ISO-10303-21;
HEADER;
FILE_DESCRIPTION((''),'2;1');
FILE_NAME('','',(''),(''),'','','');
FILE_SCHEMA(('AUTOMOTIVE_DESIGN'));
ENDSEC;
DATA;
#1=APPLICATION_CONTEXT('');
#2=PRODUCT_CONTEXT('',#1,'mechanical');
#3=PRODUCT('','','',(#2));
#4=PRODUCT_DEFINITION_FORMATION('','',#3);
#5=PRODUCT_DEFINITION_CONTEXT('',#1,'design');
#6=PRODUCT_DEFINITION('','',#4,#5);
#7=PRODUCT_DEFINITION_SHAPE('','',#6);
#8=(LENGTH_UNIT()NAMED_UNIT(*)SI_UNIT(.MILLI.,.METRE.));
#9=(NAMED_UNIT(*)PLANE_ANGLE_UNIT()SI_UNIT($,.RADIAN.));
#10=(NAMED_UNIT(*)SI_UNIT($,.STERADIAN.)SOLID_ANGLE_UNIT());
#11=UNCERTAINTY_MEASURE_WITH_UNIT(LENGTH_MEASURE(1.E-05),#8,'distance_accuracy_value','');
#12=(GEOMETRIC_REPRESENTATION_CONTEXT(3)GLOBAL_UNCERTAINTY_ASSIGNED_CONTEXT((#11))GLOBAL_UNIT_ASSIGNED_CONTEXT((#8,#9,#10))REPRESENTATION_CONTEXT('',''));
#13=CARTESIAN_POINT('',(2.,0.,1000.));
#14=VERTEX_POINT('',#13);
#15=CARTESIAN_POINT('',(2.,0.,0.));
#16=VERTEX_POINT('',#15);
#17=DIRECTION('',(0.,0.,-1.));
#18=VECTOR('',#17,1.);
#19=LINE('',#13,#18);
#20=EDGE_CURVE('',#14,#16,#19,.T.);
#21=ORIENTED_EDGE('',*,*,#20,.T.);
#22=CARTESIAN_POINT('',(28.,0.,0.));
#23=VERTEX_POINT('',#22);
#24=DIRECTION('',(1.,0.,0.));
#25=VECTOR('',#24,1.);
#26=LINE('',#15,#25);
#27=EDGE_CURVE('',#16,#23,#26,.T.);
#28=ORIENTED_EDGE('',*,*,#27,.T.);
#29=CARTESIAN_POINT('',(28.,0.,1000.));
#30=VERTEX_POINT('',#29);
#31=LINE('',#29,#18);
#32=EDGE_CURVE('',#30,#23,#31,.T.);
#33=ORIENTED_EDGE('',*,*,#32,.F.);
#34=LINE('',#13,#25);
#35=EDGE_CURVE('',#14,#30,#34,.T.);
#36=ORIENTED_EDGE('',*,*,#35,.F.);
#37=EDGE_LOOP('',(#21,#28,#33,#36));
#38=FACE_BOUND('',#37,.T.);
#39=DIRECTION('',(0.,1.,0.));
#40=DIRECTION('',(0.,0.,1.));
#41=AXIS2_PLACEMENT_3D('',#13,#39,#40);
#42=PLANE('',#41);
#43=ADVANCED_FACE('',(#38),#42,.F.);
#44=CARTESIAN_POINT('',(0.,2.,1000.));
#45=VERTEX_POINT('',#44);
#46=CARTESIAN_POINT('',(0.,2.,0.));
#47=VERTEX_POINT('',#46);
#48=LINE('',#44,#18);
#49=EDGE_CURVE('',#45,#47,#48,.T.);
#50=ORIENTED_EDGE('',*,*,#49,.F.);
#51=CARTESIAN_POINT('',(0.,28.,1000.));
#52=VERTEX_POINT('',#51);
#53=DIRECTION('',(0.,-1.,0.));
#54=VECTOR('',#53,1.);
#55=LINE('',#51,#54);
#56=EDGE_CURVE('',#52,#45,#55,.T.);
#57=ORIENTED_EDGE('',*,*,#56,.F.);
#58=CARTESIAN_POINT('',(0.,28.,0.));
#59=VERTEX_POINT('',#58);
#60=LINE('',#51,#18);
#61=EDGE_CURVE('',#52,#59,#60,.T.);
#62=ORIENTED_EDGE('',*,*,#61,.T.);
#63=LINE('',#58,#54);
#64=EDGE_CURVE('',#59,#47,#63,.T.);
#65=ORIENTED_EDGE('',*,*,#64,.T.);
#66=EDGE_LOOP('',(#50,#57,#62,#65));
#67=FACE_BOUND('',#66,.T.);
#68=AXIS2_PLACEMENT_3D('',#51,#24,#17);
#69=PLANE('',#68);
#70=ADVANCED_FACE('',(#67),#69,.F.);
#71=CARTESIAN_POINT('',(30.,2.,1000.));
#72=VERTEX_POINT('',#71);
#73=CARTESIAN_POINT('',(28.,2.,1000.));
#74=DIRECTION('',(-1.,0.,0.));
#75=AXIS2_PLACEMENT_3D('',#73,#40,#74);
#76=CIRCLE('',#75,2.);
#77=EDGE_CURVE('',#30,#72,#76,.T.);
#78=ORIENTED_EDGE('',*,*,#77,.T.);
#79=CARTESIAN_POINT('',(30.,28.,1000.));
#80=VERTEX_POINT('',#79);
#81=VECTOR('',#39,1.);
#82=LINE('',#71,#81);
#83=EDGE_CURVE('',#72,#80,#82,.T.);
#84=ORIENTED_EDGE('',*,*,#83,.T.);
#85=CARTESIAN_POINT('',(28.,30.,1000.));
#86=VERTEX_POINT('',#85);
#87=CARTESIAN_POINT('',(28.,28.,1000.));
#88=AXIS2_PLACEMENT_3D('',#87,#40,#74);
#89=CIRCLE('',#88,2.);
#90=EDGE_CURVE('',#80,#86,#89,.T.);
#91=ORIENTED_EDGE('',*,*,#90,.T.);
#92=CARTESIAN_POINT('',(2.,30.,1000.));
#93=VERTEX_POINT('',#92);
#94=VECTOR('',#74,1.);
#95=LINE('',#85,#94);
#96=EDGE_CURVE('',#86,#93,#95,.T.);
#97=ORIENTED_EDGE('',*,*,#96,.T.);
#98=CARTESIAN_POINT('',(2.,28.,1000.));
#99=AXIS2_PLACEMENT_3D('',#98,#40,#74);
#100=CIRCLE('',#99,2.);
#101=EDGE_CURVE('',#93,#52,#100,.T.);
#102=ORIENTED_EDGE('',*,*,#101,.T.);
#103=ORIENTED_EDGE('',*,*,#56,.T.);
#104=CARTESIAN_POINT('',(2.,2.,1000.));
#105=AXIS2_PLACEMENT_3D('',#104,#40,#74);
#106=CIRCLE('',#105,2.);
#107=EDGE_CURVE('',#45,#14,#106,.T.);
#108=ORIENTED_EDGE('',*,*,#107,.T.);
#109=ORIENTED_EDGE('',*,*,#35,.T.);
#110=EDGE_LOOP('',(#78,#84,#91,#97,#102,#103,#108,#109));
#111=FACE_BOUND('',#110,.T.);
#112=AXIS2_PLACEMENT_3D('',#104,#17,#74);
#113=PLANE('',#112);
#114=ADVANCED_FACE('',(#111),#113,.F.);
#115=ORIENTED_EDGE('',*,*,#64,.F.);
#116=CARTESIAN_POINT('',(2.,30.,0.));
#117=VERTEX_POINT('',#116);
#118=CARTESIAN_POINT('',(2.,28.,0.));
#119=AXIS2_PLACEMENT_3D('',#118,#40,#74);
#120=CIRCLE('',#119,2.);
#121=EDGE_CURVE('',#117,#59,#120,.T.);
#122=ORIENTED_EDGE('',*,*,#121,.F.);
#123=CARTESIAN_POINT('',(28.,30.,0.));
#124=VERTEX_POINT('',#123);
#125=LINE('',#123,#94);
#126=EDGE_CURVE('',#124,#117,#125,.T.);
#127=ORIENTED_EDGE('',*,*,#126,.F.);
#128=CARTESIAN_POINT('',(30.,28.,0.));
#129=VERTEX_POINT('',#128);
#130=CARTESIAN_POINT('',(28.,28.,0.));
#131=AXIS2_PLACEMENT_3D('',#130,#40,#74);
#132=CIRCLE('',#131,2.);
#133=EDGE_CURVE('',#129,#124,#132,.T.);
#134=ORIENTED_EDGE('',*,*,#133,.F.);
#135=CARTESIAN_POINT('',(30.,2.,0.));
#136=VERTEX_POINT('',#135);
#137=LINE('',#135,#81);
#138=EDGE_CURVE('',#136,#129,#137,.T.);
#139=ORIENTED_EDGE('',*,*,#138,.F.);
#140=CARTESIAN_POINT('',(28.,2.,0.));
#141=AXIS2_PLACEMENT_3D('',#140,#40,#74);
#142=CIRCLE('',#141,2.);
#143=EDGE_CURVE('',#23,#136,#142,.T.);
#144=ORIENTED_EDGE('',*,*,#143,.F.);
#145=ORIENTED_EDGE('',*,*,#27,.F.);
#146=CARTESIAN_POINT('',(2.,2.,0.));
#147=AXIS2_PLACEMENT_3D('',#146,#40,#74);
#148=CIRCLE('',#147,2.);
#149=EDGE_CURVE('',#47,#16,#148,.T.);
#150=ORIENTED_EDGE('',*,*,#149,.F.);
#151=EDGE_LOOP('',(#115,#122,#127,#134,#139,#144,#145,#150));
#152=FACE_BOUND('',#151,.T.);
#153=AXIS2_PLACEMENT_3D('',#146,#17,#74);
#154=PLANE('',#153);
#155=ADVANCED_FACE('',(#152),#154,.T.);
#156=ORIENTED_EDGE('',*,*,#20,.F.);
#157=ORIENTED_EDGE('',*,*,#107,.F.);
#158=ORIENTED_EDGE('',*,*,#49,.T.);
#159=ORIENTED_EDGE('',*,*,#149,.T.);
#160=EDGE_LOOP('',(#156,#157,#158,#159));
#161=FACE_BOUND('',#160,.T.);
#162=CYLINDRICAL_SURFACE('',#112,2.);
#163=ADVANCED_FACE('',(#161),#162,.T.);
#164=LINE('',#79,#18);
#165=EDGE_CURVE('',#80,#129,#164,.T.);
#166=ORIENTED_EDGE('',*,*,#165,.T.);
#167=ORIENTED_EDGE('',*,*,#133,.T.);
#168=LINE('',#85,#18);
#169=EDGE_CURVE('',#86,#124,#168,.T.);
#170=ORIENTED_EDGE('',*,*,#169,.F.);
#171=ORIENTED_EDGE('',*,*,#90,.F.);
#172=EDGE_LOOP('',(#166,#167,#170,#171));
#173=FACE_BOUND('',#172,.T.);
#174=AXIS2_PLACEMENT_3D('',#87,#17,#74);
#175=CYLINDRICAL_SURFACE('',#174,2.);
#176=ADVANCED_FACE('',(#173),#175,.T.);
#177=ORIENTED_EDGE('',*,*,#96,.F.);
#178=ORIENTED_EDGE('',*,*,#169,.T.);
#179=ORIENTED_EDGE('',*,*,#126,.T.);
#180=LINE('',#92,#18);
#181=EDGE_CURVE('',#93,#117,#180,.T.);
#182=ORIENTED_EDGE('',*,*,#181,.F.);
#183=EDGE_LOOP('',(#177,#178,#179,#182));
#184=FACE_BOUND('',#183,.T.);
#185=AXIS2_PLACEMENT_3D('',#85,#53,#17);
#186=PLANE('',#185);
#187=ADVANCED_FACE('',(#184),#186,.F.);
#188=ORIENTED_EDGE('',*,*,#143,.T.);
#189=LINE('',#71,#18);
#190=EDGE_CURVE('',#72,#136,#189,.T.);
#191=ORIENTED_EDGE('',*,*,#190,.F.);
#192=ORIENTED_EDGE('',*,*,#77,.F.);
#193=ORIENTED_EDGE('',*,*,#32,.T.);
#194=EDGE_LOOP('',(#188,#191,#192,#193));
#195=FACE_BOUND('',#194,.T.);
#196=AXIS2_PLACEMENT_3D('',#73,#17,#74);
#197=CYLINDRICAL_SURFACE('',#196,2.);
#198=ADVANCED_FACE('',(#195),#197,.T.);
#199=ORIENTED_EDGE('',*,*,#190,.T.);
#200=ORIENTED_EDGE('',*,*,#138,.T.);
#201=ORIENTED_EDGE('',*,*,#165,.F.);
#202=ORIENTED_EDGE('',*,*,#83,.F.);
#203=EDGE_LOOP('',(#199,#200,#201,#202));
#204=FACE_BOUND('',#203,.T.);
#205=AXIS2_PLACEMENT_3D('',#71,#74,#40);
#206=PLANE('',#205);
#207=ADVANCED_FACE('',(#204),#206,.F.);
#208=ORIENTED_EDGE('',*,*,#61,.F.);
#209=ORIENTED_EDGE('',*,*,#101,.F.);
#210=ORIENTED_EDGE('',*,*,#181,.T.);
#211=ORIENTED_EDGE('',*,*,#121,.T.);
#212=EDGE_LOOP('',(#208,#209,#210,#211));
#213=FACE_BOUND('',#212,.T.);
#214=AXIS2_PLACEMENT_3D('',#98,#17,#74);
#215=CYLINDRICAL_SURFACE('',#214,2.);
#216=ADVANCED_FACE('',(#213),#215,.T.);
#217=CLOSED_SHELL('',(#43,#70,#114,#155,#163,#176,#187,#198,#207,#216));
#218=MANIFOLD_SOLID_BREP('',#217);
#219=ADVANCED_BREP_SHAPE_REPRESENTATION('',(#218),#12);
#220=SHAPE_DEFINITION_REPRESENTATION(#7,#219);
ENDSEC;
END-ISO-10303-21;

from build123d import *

# Parameters (mm, degrees)
BOSS_EXTRUDE1_DEPTH = 1000


with BuildPart() as part:
    # Sketch3 → Boss-Extrude1 (new body)
    with BuildSketch(Plane.XY):
        with BuildLine():
            Line((2, 0), (28, 0))
            ThreePointArc((28, 0), (29.414213562, 0.585786438), (30, 2))
            Line((30, 2), (30, 28))
            ThreePointArc((30, 28), (29.414213562, 29.414213562), (28, 30))
            Line((28, 30), (2, 30))
            ThreePointArc((2, 30), (0.585786438, 29.414213562), (0, 28))
            Line((0, 28), (0, 2))
            ThreePointArc((0, 2), (0.585786438, 0.585786438), (2, 0))
        make_face()
    extrude(amount=BOSS_EXTRUDE1_DEPTH)


solid = part.part
